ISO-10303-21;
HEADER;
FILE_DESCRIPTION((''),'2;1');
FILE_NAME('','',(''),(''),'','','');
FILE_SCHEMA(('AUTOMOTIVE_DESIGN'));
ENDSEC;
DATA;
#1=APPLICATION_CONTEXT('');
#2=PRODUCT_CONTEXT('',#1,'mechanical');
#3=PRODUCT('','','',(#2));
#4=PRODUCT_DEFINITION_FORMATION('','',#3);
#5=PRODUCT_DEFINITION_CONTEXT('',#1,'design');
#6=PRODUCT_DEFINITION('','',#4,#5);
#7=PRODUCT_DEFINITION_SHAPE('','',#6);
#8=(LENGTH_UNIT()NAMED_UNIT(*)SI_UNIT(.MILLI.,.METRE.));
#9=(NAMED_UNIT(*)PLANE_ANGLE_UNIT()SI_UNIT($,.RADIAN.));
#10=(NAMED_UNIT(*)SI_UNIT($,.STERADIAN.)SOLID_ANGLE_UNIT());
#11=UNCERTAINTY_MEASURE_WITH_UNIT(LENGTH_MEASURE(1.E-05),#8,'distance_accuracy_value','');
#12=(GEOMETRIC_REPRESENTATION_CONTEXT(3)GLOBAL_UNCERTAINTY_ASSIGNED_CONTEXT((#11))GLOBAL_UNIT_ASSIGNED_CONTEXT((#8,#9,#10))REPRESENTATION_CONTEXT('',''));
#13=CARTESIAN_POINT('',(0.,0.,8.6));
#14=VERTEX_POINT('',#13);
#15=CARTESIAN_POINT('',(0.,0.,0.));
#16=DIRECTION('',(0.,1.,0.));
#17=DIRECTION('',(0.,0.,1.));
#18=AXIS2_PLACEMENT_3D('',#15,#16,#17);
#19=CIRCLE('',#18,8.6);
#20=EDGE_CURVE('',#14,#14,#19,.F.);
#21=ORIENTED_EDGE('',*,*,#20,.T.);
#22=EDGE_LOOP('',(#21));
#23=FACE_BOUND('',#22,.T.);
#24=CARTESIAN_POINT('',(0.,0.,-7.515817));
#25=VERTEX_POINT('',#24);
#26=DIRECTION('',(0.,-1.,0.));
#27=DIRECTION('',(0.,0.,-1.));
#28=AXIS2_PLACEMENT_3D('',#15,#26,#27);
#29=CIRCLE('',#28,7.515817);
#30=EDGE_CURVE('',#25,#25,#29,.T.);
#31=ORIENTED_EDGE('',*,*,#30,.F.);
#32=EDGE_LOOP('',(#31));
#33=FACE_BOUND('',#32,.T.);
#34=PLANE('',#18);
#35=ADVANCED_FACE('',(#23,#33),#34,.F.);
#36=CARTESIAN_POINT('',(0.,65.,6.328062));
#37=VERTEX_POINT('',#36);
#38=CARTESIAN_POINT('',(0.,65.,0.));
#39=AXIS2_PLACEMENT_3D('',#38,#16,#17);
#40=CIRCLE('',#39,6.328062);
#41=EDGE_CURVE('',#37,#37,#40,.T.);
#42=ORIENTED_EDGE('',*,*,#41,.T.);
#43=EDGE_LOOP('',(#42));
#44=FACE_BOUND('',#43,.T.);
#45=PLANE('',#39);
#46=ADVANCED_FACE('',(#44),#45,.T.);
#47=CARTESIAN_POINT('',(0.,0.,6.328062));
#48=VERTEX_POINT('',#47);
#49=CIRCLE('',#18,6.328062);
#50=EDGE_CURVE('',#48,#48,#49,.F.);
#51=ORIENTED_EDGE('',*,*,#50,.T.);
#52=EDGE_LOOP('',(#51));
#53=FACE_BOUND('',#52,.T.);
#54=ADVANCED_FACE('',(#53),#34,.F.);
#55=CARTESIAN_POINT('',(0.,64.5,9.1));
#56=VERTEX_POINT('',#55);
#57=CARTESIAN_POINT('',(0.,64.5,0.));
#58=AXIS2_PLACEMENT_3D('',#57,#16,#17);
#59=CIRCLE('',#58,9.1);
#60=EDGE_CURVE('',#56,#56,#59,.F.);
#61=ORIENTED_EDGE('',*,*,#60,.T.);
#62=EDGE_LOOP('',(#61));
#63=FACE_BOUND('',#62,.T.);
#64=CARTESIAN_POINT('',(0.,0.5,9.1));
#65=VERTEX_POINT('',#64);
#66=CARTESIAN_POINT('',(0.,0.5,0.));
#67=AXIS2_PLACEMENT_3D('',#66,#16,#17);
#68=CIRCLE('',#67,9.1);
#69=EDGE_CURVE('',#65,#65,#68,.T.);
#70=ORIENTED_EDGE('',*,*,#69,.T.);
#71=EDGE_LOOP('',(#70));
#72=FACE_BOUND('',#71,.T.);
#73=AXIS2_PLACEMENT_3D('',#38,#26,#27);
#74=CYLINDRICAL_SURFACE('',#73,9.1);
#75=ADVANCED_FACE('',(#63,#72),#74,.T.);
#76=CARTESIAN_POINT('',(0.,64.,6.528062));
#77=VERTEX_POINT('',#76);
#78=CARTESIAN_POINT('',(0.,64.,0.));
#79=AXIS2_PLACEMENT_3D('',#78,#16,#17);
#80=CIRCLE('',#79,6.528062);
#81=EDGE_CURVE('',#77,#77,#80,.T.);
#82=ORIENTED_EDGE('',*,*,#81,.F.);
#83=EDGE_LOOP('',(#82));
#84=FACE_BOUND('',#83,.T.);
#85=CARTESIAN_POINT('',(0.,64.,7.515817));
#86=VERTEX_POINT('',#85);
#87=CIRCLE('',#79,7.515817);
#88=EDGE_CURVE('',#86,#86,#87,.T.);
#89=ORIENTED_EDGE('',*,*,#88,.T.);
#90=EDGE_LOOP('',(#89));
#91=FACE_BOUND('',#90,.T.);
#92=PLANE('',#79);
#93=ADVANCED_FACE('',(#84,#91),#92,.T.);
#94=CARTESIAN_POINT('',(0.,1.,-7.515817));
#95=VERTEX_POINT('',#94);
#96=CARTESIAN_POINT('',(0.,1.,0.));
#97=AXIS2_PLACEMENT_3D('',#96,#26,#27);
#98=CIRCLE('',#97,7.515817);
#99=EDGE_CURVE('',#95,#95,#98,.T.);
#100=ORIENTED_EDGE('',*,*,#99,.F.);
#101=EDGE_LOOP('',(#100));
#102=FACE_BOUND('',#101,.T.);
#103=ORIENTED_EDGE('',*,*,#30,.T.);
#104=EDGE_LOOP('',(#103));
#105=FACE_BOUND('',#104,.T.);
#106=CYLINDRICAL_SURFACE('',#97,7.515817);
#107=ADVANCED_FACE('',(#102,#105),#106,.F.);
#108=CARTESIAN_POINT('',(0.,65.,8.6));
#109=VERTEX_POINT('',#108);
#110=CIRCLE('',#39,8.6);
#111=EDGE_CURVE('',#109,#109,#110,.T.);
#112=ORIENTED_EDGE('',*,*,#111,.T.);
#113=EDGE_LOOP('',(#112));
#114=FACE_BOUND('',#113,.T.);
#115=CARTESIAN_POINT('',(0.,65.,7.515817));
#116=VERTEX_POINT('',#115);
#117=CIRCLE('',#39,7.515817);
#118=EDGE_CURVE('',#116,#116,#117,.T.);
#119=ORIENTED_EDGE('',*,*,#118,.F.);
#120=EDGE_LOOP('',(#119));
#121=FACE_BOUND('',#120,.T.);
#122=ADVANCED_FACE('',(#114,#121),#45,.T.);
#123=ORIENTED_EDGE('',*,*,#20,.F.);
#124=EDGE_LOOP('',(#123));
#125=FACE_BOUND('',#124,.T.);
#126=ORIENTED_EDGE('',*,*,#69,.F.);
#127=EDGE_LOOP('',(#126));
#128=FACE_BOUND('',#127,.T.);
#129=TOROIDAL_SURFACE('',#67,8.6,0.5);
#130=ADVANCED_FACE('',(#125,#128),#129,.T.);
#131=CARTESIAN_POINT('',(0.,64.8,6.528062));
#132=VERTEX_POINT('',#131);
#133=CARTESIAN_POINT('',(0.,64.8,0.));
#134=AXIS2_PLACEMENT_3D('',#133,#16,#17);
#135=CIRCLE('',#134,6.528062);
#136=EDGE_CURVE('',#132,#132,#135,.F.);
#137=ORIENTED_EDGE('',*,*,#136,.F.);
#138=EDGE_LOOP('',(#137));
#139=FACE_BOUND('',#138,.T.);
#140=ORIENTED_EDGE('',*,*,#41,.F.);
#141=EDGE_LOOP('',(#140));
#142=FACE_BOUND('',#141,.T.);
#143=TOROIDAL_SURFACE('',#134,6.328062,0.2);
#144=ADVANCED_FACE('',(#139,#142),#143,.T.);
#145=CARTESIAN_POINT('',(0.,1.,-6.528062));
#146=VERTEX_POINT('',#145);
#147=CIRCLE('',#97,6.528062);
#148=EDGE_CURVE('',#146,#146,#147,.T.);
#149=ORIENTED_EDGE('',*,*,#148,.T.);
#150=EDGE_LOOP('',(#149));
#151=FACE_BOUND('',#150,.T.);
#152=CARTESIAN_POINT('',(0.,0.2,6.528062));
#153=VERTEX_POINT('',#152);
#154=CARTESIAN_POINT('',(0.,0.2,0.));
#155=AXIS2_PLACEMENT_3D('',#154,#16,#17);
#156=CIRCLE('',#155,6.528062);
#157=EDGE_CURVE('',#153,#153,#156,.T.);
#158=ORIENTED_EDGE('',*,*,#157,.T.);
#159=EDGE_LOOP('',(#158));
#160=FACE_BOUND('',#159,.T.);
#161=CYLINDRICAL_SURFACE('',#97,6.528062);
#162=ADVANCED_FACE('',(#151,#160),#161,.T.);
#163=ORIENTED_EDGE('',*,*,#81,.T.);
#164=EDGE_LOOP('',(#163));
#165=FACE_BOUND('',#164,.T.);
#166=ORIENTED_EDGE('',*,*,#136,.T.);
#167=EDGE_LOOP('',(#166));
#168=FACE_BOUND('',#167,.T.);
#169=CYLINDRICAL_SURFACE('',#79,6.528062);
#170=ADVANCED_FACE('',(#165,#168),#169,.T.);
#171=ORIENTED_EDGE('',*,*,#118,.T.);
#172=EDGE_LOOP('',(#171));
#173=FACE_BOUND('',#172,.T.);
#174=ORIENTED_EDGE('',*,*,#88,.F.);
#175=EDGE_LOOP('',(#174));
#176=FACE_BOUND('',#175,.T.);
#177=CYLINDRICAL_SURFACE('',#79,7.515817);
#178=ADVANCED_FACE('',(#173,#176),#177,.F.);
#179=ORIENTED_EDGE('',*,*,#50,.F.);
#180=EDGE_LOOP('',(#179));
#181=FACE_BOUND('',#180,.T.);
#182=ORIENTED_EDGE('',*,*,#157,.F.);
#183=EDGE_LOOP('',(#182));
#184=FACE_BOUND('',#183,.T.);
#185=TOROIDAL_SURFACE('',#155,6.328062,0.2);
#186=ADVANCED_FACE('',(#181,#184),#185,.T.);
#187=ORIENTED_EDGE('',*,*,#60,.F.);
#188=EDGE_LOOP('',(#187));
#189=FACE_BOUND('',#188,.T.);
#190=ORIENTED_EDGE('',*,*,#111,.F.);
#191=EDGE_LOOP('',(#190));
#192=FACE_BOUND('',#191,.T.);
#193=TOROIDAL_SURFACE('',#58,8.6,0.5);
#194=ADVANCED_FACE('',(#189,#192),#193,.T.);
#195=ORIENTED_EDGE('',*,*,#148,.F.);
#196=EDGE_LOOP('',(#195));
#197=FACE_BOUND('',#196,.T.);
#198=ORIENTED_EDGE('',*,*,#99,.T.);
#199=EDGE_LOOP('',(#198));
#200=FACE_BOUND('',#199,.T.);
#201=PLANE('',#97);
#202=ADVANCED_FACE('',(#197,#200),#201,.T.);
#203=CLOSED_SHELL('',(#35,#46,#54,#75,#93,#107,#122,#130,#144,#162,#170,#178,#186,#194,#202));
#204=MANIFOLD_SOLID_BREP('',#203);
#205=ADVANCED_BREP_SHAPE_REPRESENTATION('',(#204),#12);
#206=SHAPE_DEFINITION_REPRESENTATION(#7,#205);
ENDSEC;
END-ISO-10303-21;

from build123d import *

# Parameters (mm, degrees)
SKETCH1_R           = 9.1
BOSS_EXTRUDE1_DEPTH = 65
SKETCH2_R           = 7.515816548
SKETCH2_R_2         = 6.528062022
CUT_EXTRUDE1_DEPTH  = 1
FILLET1_R           = 0.5
SKETCH3_R           = 7.515816548
SKETCH3_R_2         = 6.528062022
CUT_EXTRUDE2_DEPTH  = 1
FILLET2_R           = 0.2


with BuildPart() as part:
    # Sketch1 → Boss-Extrude1 (new body)
    with BuildSketch(Plane(origin=(0, 0, 0), x_dir=(1, 0, 0), z_dir=(0, 1, 0))):
        Circle(SKETCH1_R)
    extrude(amount=BOSS_EXTRUDE1_DEPTH)

    # Sketch2 → Cut-Extrude1 (cut)
    with BuildSketch(Plane(origin=(0, 65, 0), x_dir=(1, 0, 0), z_dir=(0, 1, 0))):
        Circle(SKETCH2_R)
        Circle(SKETCH2_R_2, mode=Mode.SUBTRACT)
    extrude(amount=-CUT_EXTRUDE1_DEPTH, mode=Mode.SUBTRACT)

    # Fillet1
    fillet1_edges = [part.edges().sort_by_distance(p)[0] for p in [
        (-9.1, 0, 0),
        (-9.1, 65, 0),
    ]]
    fillet(fillet1_edges, radius=FILLET1_R)

    # Sketch3 → Cut-Extrude2 (cut)
    with BuildSketch(Plane.XZ):
        Circle(SKETCH3_R)
        Circle(SKETCH3_R_2, mode=Mode.SUBTRACT)
    extrude(amount=-CUT_EXTRUDE2_DEPTH, mode=Mode.SUBTRACT)

    # Fillet2
    fillet2_edges = [part.edges().sort_by_distance(p)[0] for p in [
        (-6.528062022, 0, 0),
        (-6.528062022, 65, 0),
    ]]
    fillet(fillet2_edges, radius=FILLET2_R)


solid = part.part
